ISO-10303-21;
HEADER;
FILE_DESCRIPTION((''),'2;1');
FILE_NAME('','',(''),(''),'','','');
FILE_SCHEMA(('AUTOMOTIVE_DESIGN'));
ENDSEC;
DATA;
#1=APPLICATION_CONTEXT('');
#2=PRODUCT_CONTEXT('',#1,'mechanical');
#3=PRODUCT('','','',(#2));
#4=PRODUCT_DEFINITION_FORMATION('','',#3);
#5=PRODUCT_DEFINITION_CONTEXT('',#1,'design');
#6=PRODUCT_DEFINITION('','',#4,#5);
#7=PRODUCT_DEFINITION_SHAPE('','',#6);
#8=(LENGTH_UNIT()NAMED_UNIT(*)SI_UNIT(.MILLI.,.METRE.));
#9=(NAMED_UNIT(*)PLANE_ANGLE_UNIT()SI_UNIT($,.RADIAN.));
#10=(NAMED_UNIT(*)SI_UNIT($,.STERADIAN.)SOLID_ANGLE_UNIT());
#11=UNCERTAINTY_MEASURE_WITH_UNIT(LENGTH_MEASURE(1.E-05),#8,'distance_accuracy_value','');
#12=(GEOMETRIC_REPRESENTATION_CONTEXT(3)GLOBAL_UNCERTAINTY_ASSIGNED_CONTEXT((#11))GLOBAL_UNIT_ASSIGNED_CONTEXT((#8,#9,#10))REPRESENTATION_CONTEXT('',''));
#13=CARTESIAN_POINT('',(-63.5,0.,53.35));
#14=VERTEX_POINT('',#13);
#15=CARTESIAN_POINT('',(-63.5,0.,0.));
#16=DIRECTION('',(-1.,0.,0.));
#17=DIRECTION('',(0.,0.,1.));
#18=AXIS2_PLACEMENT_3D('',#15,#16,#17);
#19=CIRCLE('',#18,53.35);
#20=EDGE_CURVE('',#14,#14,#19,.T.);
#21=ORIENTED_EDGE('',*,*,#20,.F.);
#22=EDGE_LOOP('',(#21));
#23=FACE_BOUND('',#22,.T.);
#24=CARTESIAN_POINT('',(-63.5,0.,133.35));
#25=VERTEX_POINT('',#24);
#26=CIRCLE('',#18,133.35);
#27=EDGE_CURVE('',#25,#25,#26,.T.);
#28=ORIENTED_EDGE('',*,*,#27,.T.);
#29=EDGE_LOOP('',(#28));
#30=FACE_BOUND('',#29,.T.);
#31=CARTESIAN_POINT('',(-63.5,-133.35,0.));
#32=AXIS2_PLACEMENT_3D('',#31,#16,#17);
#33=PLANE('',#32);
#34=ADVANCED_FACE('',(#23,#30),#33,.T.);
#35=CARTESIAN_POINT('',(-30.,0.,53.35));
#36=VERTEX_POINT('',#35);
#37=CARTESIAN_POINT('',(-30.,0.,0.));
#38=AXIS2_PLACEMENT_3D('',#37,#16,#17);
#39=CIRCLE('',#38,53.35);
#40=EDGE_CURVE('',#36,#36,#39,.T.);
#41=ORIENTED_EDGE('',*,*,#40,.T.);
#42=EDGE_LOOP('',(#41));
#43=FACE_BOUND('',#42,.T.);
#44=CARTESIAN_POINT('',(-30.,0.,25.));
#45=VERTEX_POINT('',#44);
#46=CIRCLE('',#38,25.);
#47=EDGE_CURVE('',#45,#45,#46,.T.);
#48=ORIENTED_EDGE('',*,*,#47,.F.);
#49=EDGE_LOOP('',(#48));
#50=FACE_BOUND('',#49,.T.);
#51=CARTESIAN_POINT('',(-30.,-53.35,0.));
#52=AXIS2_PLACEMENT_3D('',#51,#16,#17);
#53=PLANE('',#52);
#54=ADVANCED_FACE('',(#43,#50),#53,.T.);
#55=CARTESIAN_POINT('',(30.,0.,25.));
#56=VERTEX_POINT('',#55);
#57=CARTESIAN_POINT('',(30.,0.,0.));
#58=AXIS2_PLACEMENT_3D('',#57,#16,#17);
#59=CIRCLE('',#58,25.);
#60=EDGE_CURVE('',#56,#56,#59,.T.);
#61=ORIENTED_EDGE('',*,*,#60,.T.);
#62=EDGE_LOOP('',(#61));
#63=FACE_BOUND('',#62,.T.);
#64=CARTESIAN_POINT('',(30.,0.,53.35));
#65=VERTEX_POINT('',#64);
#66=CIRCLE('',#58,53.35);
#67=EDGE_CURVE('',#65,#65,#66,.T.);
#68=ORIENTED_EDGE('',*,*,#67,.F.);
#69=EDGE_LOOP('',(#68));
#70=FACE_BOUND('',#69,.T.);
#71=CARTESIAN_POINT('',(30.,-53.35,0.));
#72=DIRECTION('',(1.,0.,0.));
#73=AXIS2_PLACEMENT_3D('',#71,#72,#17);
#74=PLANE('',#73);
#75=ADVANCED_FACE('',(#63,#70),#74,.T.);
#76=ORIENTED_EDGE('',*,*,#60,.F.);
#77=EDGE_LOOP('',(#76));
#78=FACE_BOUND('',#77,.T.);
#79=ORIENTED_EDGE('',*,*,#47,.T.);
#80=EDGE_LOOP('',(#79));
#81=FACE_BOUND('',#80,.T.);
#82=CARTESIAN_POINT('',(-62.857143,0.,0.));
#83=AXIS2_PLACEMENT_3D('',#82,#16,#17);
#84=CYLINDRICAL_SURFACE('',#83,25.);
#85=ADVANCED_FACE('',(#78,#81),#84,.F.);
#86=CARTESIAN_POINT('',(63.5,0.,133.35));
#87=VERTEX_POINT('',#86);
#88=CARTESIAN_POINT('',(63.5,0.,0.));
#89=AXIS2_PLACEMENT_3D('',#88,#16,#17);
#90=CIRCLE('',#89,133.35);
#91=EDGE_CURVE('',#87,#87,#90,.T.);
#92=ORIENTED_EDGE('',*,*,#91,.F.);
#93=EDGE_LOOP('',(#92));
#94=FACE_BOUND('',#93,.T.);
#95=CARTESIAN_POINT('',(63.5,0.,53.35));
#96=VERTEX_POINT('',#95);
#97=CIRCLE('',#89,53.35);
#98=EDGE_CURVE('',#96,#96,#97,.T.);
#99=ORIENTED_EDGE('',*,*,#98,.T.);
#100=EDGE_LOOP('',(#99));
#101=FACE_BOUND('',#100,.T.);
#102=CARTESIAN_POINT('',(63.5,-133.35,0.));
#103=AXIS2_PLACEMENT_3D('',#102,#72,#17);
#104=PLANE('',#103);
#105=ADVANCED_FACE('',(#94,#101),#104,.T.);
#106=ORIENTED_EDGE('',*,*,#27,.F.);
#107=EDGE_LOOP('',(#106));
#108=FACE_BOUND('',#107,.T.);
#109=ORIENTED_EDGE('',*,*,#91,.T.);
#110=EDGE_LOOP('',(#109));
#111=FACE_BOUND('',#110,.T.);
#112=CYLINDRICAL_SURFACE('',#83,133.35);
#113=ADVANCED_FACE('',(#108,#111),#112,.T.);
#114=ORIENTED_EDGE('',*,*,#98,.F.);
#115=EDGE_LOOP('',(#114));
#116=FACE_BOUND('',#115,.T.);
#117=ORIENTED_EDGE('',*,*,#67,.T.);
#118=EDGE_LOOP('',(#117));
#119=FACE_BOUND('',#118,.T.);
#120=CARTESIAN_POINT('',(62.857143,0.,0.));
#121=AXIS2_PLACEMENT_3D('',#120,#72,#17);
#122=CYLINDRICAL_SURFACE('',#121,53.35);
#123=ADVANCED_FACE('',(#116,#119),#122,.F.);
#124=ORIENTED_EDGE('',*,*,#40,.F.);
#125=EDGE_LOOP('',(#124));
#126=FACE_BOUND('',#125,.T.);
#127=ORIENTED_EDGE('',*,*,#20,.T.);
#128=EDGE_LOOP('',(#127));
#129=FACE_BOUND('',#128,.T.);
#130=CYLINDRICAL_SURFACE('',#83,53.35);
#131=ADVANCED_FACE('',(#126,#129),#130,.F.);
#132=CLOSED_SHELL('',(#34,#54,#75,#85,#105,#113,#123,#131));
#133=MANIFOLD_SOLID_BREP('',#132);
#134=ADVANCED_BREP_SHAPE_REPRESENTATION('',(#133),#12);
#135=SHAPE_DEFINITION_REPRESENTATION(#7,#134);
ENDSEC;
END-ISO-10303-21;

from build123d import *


with BuildPart() as part:
    # Sketch1 → Revolve1 (revolve)
    with BuildSketch(Plane.XY):
        Polygon((0, -25), (0, -133.35), (-63.5, -133.35), (-63.5, -53.35), (-30, -53.35), (-30, -25), align=None)
    revolve1 = revolve(axis=Axis((-62.857142857, 0, 0), (1, 0, 0)))

    # Mirror1: Revolve1 across plane
    add(revolve1.mirror(Plane(origin=(0, 0, 0), x_dir=(0, 0, 1), z_dir=(1, 0, 0))))


solid = part.part
